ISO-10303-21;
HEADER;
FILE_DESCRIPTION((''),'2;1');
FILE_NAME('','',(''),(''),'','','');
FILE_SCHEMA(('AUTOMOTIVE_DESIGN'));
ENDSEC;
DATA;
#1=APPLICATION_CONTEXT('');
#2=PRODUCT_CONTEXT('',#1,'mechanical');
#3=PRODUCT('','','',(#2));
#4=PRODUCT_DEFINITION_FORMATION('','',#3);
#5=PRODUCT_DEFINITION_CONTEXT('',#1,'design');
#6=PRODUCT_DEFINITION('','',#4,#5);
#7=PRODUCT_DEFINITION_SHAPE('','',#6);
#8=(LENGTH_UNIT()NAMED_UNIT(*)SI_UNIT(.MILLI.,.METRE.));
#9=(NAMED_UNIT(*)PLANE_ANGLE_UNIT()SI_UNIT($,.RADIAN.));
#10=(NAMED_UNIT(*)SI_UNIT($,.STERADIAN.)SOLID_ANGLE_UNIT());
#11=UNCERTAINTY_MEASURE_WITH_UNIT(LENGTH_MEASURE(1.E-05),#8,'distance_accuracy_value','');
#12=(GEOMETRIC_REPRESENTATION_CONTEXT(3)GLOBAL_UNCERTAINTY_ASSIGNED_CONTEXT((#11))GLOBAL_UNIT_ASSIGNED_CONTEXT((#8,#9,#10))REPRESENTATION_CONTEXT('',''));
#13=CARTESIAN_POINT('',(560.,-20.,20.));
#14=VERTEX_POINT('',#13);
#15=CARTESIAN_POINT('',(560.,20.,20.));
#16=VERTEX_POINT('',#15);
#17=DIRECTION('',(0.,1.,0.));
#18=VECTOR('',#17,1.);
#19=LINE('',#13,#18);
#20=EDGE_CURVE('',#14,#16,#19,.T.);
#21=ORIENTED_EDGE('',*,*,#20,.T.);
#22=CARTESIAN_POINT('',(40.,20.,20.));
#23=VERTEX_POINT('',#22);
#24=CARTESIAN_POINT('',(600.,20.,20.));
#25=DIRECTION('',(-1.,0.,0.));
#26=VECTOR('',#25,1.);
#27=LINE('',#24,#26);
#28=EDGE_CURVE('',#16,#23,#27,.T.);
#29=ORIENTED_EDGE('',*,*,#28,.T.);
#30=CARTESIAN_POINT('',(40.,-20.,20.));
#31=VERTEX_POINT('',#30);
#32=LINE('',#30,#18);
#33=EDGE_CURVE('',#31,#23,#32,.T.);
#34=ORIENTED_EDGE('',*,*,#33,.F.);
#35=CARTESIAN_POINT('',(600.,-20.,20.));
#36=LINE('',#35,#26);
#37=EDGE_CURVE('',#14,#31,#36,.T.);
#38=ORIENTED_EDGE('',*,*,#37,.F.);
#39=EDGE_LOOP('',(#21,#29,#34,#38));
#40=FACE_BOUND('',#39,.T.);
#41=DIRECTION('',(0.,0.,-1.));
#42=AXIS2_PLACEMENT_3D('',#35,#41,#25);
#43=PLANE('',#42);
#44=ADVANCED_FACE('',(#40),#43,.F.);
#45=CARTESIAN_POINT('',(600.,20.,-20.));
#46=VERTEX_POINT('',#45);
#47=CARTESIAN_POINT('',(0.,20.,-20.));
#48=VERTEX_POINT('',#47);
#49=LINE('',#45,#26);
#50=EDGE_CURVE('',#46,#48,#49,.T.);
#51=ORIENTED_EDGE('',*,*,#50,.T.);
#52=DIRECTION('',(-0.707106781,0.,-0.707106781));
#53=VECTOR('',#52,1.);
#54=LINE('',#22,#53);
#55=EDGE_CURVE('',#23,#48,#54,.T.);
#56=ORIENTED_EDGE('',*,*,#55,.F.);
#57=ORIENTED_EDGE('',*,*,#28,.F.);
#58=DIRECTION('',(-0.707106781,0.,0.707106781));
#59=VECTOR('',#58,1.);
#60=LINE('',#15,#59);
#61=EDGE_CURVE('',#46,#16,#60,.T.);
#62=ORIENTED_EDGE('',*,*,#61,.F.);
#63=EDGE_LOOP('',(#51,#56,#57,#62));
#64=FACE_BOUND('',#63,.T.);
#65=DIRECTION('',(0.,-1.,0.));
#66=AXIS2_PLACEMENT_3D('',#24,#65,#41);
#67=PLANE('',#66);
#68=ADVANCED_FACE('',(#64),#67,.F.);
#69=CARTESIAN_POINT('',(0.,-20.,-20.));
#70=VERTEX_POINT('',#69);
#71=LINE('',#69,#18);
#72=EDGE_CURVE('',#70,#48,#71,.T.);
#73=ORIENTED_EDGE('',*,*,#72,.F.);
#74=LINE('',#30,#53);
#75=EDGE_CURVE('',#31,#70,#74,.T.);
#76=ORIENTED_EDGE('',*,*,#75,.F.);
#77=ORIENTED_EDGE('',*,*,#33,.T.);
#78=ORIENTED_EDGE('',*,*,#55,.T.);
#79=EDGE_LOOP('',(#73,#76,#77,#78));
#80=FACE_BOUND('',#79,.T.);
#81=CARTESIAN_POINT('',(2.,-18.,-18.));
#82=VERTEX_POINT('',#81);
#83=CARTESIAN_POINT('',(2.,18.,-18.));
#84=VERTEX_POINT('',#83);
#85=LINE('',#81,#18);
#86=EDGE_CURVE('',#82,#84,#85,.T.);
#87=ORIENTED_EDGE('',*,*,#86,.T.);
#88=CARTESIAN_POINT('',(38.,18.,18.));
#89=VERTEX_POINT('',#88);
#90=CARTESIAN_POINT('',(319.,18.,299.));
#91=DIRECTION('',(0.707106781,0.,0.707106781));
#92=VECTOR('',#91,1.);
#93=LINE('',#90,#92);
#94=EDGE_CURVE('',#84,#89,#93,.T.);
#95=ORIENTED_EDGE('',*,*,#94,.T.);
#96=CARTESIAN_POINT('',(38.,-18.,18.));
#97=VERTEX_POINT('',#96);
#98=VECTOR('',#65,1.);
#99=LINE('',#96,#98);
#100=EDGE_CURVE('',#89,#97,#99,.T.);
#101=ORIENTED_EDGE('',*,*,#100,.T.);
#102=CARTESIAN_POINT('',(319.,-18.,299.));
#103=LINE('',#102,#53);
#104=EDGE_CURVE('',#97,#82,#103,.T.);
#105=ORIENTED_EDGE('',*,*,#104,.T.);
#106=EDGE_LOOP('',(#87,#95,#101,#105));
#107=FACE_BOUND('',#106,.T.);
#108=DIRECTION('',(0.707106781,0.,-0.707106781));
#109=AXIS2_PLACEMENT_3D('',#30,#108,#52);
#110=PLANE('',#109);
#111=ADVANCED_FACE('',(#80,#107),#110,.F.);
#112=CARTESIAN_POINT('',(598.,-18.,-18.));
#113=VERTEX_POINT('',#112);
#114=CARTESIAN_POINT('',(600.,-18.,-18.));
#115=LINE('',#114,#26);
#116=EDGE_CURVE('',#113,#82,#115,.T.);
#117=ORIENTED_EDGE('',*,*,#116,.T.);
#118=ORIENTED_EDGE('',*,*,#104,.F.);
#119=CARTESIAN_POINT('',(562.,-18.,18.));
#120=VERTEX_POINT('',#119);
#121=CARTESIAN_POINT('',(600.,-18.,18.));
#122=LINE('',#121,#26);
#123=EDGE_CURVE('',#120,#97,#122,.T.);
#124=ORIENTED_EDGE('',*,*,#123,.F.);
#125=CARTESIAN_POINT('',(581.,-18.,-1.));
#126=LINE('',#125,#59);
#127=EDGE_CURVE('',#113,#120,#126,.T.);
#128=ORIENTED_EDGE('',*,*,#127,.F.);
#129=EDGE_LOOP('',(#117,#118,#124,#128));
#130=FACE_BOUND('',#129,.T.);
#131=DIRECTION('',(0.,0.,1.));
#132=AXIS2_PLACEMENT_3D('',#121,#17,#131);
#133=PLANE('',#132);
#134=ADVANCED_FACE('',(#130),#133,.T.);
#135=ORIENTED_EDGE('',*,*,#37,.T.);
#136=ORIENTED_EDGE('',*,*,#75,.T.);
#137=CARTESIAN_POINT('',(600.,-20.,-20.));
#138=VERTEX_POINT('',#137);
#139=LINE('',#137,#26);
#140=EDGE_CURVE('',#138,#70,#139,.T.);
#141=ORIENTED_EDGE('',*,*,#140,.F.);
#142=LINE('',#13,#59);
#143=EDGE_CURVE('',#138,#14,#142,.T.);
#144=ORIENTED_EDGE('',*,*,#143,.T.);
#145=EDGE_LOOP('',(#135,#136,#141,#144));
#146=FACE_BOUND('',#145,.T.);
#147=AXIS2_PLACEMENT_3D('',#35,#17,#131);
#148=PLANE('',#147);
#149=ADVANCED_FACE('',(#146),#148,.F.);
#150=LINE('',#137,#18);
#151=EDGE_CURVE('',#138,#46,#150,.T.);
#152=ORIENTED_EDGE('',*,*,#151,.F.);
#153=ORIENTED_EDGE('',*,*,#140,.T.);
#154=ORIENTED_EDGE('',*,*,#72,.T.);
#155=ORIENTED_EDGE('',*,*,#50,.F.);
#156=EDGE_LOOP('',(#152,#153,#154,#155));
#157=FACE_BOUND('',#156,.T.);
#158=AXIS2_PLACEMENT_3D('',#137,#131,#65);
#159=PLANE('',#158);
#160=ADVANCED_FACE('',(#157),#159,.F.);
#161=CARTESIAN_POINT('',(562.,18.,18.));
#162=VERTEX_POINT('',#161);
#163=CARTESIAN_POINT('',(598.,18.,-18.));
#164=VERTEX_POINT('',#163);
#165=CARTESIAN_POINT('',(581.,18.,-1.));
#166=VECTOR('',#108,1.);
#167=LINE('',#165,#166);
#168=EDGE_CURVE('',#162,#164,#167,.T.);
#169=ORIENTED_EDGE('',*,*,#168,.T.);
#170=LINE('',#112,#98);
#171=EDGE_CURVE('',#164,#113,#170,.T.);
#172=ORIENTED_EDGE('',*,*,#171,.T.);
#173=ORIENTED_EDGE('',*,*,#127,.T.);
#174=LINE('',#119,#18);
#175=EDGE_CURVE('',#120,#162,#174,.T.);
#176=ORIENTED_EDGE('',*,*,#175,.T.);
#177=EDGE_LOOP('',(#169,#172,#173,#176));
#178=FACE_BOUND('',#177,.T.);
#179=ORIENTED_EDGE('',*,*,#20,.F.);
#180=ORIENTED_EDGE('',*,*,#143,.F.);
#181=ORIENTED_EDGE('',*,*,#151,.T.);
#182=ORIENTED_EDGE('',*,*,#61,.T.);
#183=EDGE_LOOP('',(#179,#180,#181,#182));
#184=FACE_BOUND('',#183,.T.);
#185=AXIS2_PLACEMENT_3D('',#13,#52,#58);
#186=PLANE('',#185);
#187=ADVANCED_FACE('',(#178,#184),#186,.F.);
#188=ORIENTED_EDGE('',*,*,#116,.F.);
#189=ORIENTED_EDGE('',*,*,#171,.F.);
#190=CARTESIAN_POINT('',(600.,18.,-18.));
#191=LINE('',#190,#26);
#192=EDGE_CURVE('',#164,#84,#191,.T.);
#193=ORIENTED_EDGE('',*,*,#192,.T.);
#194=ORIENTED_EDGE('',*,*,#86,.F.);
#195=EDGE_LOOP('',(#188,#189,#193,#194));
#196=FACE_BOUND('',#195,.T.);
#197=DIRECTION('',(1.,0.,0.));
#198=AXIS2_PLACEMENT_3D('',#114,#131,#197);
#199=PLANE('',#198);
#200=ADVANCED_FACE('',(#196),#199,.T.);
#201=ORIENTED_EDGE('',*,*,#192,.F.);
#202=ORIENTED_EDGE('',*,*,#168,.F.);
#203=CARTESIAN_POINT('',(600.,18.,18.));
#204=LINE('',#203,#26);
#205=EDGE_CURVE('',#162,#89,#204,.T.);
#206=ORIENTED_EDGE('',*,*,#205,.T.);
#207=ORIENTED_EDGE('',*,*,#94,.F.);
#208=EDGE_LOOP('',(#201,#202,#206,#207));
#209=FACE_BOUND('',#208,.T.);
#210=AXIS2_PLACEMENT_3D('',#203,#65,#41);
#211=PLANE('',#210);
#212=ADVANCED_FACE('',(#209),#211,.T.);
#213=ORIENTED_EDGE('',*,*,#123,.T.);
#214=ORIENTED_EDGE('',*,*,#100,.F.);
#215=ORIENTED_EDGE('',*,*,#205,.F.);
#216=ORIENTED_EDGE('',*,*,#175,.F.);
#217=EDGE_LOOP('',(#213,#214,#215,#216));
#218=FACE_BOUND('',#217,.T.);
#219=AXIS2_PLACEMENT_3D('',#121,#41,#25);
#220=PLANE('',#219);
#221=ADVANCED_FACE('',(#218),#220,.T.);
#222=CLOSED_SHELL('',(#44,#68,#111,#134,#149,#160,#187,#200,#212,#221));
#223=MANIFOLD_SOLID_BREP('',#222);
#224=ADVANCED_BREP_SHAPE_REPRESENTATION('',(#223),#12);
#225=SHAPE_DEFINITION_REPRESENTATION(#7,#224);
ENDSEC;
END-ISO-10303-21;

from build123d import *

# Parameters (mm, degrees)
CROQUIS1_W              = 40
CROQUIS1_H              = 40
CROQUIS1_W_2            = 36
CROQUIS1_H_2            = 36
SALIENTE_EXTRUIR1_DEPTH = 600
CORTAR_EXTRUIR2_DEPTH   = 41


with BuildPart() as part:
    # Croquis1 → Saliente-Extruir1 (new body)
    with BuildSketch(Plane(origin=(0, 0, 0), x_dir=(0, 0, -1), z_dir=(1, 0, 0))):
        Rectangle(CROQUIS1_W, CROQUIS1_H)
        Rectangle(CROQUIS1_W_2, CROQUIS1_H_2, mode=Mode.SUBTRACT)
    extrude(amount=SALIENTE_EXTRUIR1_DEPTH)

    # Croquis2 → Cortar-Extruir2 (cut, through all)
    with BuildSketch(Plane(origin=(0, 20, 0), x_dir=(1, 0, 0), z_dir=(0, 1, 0))):
        Polygon((0, 20), (0, -20), (40, -20), align=None)
        Polygon((560, -20), (600, 20), (600, -20), align=None)
    extrude(amount=-CORTAR_EXTRUIR2_DEPTH, mode=Mode.SUBTRACT)


solid = part.part
